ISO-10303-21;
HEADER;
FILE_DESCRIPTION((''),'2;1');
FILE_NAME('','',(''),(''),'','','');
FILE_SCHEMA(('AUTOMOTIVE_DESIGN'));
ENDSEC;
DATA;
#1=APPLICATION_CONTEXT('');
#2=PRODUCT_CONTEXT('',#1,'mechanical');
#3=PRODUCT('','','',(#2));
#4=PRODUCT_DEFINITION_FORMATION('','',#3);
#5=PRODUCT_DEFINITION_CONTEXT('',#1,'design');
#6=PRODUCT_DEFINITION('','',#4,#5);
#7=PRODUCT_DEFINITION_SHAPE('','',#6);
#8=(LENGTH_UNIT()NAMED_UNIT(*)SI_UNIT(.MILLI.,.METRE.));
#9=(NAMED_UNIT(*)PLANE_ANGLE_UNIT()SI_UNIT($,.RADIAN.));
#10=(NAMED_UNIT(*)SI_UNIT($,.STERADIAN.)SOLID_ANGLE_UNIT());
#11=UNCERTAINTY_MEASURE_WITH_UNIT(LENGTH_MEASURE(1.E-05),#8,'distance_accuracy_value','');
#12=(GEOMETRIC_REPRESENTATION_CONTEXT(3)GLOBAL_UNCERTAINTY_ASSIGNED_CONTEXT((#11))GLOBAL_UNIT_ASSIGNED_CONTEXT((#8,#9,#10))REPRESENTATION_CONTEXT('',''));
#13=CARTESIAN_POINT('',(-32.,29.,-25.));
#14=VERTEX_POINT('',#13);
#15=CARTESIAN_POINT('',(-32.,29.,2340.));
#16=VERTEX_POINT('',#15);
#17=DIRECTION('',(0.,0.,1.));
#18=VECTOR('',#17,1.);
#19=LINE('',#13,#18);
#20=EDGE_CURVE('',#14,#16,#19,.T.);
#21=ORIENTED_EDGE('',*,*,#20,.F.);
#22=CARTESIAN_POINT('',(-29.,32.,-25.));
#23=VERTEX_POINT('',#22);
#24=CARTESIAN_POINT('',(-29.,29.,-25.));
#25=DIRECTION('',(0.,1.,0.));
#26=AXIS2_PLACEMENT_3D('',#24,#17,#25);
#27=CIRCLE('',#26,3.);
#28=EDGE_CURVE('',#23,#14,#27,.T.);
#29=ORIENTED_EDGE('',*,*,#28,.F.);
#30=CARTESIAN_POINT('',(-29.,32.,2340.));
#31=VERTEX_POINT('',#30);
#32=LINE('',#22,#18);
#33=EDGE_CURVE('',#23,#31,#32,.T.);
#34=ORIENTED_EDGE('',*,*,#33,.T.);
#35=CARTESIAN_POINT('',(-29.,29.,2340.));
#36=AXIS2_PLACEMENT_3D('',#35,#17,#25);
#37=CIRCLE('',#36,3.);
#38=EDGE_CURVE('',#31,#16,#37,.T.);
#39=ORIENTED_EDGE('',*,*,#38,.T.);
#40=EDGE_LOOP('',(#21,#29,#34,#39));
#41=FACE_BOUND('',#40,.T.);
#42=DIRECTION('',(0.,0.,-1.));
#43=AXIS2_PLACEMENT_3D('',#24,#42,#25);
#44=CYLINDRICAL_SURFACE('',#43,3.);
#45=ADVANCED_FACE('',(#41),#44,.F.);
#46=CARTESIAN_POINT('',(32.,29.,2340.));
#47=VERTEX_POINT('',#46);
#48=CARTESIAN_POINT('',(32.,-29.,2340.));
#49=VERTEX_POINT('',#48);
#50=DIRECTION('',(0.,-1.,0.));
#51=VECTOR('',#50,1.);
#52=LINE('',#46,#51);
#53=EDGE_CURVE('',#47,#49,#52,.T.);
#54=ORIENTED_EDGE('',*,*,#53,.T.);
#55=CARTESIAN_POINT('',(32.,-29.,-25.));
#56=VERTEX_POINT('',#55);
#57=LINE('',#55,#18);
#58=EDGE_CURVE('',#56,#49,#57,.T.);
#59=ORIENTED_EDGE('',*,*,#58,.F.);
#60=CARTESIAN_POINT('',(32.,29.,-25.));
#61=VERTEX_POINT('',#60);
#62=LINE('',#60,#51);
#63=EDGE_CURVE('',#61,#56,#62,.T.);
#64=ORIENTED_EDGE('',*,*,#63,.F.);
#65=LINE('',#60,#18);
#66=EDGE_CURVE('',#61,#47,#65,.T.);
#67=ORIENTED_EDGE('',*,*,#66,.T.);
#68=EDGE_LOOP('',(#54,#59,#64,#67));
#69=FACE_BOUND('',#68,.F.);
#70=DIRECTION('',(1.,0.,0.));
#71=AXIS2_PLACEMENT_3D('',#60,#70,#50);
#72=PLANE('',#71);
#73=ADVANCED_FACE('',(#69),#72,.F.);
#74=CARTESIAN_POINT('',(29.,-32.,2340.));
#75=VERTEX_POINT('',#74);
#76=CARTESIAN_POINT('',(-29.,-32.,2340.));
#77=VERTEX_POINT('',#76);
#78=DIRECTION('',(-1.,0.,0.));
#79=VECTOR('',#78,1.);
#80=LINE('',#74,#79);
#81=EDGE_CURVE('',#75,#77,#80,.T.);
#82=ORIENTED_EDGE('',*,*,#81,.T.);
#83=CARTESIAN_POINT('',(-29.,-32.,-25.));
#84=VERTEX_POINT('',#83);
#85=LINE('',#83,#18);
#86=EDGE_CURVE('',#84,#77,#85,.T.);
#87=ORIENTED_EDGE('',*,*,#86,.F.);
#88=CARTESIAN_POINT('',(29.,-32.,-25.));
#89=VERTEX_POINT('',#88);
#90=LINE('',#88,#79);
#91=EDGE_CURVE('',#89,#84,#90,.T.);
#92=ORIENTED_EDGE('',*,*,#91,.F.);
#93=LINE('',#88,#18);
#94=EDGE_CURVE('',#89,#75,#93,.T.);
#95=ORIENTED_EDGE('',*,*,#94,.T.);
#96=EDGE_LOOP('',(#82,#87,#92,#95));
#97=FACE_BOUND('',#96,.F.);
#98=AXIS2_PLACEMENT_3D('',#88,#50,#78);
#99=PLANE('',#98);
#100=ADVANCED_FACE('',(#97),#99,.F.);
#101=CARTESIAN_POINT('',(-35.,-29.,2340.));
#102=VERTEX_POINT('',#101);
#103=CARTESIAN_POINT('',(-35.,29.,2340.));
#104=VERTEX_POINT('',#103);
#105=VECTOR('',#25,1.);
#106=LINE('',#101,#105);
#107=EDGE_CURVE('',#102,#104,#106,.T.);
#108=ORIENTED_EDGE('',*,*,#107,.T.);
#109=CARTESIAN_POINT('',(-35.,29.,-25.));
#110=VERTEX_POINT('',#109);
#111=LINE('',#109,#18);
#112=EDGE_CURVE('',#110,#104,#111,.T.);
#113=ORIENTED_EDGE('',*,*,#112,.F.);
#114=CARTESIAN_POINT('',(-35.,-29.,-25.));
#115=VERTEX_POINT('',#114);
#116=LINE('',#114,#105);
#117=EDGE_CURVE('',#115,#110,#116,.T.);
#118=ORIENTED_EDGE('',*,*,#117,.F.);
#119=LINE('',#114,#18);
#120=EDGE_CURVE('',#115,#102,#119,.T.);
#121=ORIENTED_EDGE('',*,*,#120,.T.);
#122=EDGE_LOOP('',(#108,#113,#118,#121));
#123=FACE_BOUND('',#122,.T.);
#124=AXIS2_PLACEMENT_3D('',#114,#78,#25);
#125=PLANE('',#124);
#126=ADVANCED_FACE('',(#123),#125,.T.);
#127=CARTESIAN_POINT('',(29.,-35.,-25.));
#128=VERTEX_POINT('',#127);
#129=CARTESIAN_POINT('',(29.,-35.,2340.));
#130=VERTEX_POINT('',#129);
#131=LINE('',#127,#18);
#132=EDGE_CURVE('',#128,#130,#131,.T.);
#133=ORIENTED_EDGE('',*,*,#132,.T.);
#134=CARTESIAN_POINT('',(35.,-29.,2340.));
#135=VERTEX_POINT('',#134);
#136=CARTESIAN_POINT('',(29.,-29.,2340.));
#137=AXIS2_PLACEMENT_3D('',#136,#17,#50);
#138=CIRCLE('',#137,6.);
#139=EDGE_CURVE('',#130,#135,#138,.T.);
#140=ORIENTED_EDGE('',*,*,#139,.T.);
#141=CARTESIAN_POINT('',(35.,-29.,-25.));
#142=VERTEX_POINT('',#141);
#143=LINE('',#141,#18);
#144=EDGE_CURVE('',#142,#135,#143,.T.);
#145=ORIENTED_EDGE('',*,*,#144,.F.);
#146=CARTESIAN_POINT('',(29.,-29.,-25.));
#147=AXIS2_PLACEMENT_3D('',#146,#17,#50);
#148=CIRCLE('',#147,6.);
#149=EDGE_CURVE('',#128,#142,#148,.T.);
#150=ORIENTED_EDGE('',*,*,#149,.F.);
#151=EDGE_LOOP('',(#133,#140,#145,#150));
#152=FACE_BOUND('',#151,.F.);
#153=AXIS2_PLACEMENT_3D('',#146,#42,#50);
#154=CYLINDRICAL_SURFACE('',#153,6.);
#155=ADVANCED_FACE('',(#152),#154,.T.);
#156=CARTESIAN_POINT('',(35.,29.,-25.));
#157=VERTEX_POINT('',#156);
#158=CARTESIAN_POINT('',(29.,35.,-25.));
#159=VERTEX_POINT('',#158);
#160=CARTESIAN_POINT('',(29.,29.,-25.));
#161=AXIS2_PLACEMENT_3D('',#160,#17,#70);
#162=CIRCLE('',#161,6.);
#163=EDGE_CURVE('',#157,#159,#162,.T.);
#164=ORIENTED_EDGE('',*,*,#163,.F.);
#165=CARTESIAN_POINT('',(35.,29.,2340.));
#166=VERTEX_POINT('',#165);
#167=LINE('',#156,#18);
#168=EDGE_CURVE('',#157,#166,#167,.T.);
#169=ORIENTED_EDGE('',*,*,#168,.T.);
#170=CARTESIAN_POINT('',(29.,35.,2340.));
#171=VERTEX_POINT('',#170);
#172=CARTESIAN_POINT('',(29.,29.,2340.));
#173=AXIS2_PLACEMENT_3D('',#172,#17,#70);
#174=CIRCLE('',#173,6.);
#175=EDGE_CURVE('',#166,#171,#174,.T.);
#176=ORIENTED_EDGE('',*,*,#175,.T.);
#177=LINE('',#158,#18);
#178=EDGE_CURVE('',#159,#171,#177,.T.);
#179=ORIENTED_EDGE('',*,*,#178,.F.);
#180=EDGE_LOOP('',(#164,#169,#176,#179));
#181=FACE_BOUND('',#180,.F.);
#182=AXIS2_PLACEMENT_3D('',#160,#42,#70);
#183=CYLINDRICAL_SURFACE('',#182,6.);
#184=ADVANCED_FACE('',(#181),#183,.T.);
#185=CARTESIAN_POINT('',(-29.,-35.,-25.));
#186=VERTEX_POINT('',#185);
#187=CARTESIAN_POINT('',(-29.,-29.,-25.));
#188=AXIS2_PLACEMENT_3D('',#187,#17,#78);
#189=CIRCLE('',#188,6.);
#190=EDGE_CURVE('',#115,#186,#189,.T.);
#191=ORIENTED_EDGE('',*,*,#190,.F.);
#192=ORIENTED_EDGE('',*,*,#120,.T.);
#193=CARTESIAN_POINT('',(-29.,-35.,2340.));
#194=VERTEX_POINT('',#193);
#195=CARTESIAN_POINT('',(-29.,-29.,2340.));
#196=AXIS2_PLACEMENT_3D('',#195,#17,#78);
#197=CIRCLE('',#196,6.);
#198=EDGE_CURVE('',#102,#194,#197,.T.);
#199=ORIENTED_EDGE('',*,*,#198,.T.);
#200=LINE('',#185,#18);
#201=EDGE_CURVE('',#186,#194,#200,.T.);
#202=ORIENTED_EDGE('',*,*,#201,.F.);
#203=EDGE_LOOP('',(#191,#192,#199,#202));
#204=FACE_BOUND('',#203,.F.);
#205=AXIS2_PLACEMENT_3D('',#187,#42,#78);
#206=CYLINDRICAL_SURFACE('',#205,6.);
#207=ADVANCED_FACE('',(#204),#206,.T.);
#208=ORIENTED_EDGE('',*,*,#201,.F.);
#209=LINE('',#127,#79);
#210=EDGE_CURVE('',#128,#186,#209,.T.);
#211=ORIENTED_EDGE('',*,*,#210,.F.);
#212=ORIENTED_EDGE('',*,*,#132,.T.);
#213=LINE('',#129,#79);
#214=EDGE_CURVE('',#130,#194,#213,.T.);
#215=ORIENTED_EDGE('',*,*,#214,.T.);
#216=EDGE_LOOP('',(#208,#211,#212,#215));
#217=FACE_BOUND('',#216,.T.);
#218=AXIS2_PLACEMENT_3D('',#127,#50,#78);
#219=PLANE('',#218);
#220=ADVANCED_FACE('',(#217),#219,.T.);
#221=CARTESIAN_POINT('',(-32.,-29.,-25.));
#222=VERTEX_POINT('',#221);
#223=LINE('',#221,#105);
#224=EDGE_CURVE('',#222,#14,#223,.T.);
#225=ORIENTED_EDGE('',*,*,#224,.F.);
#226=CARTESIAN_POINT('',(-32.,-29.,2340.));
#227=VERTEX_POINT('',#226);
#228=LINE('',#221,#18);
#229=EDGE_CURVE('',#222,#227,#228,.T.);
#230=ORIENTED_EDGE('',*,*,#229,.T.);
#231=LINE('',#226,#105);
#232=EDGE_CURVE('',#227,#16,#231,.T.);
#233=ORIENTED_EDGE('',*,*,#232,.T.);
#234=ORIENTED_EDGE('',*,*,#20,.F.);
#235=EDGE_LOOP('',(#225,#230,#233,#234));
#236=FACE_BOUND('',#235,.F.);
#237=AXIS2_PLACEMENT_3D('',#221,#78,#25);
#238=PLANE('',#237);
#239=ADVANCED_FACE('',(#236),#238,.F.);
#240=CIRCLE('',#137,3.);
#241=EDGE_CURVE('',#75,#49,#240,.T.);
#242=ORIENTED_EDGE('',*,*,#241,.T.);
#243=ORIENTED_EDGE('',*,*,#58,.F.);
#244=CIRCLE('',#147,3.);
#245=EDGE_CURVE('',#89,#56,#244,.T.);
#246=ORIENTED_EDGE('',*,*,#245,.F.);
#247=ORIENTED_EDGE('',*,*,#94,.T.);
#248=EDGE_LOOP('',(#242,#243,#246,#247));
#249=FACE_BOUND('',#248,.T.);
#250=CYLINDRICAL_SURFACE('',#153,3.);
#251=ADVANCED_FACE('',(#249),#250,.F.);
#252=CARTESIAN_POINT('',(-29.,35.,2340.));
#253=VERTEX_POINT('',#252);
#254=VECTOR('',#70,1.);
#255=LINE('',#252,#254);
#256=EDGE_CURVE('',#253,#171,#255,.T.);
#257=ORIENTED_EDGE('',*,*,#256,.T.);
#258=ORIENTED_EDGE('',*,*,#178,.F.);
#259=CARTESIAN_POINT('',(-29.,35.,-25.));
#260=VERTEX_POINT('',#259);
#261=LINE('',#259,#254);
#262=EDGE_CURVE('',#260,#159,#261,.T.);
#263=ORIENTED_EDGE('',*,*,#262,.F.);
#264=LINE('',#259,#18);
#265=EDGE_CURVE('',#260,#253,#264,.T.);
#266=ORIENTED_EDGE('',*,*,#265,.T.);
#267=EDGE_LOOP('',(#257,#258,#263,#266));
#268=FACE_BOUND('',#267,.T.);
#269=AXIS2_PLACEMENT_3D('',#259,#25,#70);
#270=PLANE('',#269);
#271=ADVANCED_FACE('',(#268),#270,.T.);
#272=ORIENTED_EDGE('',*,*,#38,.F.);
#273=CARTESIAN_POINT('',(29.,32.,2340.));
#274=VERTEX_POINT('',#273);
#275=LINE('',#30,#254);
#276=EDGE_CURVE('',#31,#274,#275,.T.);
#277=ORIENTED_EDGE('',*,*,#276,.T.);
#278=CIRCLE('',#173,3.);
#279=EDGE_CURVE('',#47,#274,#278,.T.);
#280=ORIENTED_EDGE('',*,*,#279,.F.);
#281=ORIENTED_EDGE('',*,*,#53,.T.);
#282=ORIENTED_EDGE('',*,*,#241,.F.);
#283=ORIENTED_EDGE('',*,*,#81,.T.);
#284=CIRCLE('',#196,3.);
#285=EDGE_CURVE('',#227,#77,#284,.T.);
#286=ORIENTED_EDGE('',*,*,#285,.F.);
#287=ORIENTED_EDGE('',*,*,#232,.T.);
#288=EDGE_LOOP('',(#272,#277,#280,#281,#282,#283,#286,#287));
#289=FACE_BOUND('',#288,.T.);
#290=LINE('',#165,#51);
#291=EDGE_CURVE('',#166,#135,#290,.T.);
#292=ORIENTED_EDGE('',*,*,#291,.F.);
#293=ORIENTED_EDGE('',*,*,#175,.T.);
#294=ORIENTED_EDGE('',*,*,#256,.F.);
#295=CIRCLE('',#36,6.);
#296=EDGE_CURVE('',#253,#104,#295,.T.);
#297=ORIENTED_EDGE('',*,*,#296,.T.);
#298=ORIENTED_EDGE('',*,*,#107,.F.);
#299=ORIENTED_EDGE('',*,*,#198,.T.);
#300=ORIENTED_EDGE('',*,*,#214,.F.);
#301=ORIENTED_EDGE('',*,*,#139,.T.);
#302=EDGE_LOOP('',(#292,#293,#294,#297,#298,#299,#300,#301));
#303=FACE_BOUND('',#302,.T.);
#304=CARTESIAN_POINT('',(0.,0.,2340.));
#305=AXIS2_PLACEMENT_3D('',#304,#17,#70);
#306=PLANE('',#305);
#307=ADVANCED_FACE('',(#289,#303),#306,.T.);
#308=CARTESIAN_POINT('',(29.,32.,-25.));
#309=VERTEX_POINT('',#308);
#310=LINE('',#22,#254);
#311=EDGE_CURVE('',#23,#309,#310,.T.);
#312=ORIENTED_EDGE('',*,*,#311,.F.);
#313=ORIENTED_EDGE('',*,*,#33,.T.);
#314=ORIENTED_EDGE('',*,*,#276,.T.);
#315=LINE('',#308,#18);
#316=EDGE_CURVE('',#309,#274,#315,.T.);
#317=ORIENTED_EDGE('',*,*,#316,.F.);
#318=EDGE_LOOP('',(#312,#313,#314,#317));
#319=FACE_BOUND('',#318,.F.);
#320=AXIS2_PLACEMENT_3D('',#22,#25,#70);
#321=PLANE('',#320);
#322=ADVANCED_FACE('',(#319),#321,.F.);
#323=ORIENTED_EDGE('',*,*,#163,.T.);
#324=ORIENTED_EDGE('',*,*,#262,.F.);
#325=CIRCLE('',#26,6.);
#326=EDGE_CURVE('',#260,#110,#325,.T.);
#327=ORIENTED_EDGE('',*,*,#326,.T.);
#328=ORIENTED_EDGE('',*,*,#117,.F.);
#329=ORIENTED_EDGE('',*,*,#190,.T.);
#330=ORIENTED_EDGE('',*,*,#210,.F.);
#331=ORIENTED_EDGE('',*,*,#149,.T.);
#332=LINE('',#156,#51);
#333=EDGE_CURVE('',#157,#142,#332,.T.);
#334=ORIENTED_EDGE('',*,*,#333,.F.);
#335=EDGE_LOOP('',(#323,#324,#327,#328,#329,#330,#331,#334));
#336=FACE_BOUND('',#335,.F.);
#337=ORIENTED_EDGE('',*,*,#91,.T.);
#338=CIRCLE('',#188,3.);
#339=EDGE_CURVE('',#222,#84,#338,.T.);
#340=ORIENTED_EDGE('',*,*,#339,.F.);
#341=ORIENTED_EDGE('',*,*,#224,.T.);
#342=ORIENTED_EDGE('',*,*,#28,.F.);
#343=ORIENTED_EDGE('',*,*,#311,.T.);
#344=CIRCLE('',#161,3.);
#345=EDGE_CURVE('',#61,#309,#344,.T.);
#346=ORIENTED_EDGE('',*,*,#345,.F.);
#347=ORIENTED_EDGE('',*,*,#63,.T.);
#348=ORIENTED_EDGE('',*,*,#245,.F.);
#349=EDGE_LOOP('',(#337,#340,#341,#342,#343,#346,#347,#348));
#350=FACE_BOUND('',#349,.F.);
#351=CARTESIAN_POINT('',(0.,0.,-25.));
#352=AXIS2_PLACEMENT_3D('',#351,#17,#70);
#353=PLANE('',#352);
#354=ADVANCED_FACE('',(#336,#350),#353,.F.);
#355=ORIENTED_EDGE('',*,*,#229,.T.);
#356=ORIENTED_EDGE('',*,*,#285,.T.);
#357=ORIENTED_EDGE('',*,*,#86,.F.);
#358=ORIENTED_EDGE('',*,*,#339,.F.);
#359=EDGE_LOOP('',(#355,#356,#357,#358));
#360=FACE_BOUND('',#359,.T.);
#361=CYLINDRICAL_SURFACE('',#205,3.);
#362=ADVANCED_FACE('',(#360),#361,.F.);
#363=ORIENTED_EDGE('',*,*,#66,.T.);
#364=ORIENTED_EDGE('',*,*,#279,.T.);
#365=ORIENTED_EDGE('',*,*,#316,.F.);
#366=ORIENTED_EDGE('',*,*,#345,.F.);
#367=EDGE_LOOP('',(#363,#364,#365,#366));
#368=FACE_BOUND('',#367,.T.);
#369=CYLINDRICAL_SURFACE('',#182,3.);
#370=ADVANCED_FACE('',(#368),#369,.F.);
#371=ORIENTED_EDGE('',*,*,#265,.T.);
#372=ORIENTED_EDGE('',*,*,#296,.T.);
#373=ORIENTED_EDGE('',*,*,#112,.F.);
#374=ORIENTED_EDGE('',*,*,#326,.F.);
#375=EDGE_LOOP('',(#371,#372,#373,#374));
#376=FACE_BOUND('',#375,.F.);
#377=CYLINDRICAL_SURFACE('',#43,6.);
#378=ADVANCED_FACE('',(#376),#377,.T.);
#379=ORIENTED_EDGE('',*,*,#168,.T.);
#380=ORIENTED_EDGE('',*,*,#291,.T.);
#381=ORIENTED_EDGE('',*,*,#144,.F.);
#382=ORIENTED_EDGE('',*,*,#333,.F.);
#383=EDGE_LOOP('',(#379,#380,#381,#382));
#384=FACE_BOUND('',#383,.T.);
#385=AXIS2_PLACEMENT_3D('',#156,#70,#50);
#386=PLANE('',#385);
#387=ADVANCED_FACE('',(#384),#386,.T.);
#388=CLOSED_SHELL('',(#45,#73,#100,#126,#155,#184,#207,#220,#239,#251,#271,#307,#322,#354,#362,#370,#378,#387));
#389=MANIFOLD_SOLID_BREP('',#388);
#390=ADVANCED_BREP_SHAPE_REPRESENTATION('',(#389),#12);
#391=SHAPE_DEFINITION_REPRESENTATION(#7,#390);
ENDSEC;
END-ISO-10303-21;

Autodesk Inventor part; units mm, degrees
ref_plane "Plano inicial" through (0, 0, -25) normal (0, 0, 1) x (1, 0, 0)
ref_plane "Plano final" through (0, 0, 2340) normal (0, 0, 1) x (1, 0, 0)
sketch "Boceto" plane through (0, 0, 0) normal (0, 0, 1) x (1, 0, 0)
  line L0 (-35, -29) -> (-35, 29)
  line L1 (-29, 35) -> (29, 35)
  line L2 (35, 29) -> (35, -29)
  line L3 (29, -35) -> (-29, -35)
  arc A0 (-35, -29) -> (-29, -35) centre (-29, -29) ccw
  arc A1 (35, 29) -> (29, 35) centre (29, 29) ccw
  arc A2 (-29, 35) -> (-35, 29) centre (-29, 29) ccw
  arc A3 (29, -35) -> (35, -29) centre (29, -29) ccw
  arc A4 (-29, 32) -> (-32, 29) centre (-29, 29) ccw
  line L4 (-29, 32) -> (29, 32)
  arc A5 (32, 29) -> (29, 32) centre (29, 29) ccw
  line L5 (32, 29) -> (32, -29)
  arc A6 (29, -32) -> (32, -29) centre (29, -29) ccw
  line L6 (29, -32) -> (-29, -32)
  arc A7 (-32, -29) -> (-29, -32) centre (-29, -29) ccw
  line L7 (-32, -29) -> (-32, 29)
  line L8 (0, 50.7397) -> (0, -50.7397) construction
  line L9 (-50.7397, 0) -> (50.7397, 0) construction
  dimension "d7" = 6
  dimension "d9" = 70
  dimension "d11" = 70
  dimension "d12" = 3
  dimension "d15" = 35
  dimension "d16" = 35
extrude "Cuerpo" add sketch "Boceto" along normal up to surface (2365 mm away) from surface at -25
sketch "Sketch3" plane through (0, 0, 0) normal (0, 0, 1) x (1, 0, 0)
  line L0 (0, 0) -> (10, 0)
ref_plane "Work Plane3" through (0, 0, 0) normal (0, -1, 0) x (1, 0, 0)
sketch "Sketch4" plane through (0, 0, 0) normal (0, -1, 0) x (1, 0, 0)
  line L0 (-2, -25) -> (12, -25)
  line L1 (-2, 2340) -> (12, 2340)
  dimension "d18" = 2365
ref_plane "Plano de trabajo4" through (1000, -21, -25) normal (0, 0, -1) x (-1, 0, 0)
split "Dividir1" plane through (1000, -21, -25) removes the side toward (0, 0, -1)
ref_plane "Plano de trabajo5" through (500, -21, 2340) normal (0, 0, 1) x (1, 0, 0)
split "Dividir2" plane through (500, -21, 2340) removes the side toward (0, 0, 1)
equation "\"d7\" = G_IR"
equation "\"d9\" = G_W"
equation "\"d11\" = G_H"
equation "\"d12\" = G_T"
equation "\"d15\" = 0.5 * d9"
equation "\"d16\" = 0.5 * d11"
equation "\"d3\" = G_L"
equation "\"G_W\" = 70"
equation "\"G_H\" = 70"
equation "\"G_T\" = 3"
equation "\"G_IR\" = 6"
equation "\"G_L\" = d18"
equation "\"G_OFFSET_START\" = 25"
equation "\"G_OFFSET_END\" = 25"
equation "\"d13\" = -G_OFFSET_START"
equation "\"B_L\" = 2315"
properties part number "ISO 10799-2 - 70x70x3 - 2365" material "Galvanizado catalogo 2"
